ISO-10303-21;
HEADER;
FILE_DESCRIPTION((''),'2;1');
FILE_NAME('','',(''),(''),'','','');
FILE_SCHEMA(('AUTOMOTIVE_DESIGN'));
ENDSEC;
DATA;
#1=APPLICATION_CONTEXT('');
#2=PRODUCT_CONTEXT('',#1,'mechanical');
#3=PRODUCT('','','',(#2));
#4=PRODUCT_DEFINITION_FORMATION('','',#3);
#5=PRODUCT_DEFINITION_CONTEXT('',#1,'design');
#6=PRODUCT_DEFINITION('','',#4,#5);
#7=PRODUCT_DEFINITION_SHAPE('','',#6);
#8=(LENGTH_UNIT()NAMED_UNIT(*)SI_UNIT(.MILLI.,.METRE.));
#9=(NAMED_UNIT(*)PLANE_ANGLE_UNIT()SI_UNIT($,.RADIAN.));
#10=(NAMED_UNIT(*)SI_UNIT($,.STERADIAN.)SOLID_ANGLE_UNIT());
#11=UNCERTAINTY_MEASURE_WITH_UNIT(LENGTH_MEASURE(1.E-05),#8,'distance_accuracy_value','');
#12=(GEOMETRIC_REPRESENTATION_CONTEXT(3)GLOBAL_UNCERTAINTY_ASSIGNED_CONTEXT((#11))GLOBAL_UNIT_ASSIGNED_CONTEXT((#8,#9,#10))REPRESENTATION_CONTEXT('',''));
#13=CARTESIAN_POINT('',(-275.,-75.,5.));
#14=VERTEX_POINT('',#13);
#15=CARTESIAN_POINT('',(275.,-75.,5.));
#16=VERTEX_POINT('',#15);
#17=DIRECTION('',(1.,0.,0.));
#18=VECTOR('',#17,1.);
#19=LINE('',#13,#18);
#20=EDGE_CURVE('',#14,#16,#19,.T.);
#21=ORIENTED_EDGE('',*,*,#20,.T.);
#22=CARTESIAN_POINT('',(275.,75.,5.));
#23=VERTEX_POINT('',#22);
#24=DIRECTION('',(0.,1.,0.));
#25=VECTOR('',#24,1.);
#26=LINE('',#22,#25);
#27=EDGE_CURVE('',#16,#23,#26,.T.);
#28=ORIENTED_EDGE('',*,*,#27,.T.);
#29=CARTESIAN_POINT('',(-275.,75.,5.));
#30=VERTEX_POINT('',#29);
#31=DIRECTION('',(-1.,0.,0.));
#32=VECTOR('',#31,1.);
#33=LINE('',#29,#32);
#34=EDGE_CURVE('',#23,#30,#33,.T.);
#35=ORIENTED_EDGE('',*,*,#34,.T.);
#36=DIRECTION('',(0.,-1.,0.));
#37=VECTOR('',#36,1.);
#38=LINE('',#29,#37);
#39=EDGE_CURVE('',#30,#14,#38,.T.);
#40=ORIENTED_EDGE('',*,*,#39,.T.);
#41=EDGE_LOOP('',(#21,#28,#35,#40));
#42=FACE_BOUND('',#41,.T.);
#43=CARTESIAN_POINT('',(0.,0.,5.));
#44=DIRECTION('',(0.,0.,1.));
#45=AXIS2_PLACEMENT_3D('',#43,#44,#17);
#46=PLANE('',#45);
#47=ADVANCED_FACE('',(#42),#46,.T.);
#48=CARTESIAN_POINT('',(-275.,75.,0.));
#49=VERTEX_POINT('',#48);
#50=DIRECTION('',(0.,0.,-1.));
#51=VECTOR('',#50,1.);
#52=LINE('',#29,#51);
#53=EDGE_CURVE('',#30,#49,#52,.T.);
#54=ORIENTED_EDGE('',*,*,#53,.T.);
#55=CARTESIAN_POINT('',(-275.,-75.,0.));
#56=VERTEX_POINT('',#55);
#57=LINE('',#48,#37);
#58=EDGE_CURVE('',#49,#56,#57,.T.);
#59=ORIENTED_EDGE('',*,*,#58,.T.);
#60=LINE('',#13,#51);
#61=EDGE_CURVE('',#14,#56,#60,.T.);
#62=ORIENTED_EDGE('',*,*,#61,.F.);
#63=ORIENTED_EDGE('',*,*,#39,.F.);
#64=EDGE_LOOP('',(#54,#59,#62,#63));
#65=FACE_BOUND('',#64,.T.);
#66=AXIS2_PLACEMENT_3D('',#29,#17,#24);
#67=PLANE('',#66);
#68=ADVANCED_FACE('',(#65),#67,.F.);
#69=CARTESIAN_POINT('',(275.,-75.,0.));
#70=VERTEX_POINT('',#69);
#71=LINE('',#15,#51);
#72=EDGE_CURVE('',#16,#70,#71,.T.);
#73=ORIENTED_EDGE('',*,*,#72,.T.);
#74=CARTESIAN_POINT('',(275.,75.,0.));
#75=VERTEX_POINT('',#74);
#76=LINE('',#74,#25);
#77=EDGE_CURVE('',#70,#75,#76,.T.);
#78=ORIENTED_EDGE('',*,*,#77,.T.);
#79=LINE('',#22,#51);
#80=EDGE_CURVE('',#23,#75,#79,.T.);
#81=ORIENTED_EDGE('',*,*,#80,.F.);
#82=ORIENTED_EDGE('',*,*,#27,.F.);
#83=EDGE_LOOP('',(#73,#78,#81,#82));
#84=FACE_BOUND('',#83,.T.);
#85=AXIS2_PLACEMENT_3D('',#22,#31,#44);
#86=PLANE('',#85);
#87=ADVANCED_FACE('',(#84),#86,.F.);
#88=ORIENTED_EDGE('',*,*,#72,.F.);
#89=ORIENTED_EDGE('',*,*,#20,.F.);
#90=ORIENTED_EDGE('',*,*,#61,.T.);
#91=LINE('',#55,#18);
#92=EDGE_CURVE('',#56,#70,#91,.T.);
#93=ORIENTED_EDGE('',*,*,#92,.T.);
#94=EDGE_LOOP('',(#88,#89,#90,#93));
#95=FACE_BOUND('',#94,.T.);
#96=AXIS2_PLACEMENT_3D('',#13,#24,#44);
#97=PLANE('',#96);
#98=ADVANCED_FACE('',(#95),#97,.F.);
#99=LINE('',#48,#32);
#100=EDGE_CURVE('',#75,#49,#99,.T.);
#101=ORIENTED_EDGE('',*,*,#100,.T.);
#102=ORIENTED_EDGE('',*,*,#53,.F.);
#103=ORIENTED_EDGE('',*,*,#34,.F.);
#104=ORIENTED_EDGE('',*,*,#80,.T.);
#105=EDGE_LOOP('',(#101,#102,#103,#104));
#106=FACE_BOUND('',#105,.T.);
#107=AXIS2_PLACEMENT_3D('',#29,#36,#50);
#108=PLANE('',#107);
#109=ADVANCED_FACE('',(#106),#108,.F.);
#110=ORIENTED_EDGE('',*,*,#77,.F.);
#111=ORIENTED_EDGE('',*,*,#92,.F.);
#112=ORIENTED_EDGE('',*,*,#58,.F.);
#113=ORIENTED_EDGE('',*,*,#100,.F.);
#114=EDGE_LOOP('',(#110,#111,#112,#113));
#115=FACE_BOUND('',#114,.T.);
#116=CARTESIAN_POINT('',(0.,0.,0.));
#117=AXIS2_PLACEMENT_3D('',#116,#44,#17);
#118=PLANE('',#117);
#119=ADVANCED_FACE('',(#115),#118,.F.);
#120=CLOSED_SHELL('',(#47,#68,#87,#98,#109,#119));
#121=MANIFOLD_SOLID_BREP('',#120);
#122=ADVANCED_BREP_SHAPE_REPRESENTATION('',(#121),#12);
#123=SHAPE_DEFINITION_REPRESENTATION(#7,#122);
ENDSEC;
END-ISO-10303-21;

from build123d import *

# Parameters (mm, degrees)
SKETCH1_W           = 550
SKETCH1_H           = 150
BOSS_EXTRUDE1_DEPTH = 5


with BuildPart() as part:
    # Sketch1 → Boss-Extrude1 (new body)
    with BuildSketch(Plane.XY):
        Rectangle(SKETCH1_W, SKETCH1_H)
    extrude(amount=BOSS_EXTRUDE1_DEPTH)


solid = part.part
